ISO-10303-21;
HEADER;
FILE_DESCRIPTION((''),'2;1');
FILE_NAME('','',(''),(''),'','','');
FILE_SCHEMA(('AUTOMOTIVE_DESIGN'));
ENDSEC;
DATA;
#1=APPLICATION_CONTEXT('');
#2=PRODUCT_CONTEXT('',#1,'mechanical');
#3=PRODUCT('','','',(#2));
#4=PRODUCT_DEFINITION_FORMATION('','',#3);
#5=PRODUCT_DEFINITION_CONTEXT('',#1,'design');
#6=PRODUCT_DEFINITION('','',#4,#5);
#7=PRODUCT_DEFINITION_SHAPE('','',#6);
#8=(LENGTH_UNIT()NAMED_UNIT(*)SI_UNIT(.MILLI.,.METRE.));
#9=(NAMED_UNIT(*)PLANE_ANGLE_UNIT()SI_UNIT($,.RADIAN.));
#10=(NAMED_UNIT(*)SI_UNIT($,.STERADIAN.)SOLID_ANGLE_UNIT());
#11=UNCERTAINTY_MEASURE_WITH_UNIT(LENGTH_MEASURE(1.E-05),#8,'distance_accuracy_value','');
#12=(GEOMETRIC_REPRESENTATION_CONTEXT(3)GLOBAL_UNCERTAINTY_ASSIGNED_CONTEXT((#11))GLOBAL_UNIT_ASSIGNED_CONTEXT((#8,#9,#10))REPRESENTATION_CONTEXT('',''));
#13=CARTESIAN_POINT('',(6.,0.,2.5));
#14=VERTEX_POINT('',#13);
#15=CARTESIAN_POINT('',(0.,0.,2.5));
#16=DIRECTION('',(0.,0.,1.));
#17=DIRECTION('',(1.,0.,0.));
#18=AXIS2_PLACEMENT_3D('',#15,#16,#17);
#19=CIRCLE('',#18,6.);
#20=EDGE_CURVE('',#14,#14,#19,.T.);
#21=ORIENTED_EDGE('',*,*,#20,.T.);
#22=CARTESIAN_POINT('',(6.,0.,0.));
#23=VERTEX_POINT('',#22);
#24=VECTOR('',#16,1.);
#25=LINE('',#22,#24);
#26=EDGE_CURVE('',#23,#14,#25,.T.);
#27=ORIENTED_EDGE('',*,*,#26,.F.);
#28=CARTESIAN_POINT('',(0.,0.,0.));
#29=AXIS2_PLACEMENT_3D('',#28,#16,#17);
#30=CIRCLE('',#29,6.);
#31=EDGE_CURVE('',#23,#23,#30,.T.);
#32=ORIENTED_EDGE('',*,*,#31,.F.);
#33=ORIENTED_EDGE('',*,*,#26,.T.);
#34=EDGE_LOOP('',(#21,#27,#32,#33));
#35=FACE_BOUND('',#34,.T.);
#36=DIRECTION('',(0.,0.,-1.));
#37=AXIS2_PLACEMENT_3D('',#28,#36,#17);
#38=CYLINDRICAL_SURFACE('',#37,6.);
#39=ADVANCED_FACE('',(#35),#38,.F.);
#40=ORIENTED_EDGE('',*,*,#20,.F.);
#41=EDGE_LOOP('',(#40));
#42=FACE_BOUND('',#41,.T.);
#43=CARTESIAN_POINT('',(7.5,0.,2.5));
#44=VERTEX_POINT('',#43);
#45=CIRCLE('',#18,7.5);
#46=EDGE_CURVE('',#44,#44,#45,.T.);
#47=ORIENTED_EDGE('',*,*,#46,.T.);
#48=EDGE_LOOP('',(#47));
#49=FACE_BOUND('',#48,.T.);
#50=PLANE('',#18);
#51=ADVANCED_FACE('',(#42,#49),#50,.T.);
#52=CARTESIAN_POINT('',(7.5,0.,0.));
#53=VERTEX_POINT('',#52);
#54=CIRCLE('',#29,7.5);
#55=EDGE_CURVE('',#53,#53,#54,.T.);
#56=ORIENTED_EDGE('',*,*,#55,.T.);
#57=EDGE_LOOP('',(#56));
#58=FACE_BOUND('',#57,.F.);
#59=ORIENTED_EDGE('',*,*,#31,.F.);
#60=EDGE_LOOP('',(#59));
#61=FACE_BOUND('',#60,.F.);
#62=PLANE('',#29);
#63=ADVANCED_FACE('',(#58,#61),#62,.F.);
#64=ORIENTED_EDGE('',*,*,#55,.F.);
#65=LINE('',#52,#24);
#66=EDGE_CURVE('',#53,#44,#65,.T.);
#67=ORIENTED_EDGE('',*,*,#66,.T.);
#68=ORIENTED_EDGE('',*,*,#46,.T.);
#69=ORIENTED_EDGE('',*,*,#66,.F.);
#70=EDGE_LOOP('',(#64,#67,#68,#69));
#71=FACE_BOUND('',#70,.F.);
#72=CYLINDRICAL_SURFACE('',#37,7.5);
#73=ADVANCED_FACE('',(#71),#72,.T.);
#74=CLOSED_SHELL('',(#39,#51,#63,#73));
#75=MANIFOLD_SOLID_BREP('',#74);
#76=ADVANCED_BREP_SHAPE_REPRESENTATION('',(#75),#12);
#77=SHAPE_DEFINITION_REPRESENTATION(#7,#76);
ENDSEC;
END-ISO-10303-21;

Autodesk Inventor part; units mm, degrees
ref_plane "YZ Plane" through (0, 0, 0) normal (1, 0, 0) x (0, 1, 0)
ref_plane "XZ Plane" through (0, 0, 0) normal (0, 1, 0) x (-1, 0, 0)
ref_plane "XY Plane" through (0, 0, 0) normal (0, 0, 1) x (1, 0, 0)
sketch "Sketch1" plane through (0, 0, 0) normal (0, 0, 1) x (1, 0, 0)
  circle A0 centre (0, 0) radius 6
  circle A1 centre (0, 0) radius 7.5
  dimension "d0" = 12
  dimension "d1" = 15
extrude "Extrusion1" add sketch "Sketch1" along normal blind 2.5
thread "Thread1" size "M12x1.75" class "6H" standard "ANSI Metric M Profile" full length
properties part number "Rändelmutter" material "Stainless Steel"
